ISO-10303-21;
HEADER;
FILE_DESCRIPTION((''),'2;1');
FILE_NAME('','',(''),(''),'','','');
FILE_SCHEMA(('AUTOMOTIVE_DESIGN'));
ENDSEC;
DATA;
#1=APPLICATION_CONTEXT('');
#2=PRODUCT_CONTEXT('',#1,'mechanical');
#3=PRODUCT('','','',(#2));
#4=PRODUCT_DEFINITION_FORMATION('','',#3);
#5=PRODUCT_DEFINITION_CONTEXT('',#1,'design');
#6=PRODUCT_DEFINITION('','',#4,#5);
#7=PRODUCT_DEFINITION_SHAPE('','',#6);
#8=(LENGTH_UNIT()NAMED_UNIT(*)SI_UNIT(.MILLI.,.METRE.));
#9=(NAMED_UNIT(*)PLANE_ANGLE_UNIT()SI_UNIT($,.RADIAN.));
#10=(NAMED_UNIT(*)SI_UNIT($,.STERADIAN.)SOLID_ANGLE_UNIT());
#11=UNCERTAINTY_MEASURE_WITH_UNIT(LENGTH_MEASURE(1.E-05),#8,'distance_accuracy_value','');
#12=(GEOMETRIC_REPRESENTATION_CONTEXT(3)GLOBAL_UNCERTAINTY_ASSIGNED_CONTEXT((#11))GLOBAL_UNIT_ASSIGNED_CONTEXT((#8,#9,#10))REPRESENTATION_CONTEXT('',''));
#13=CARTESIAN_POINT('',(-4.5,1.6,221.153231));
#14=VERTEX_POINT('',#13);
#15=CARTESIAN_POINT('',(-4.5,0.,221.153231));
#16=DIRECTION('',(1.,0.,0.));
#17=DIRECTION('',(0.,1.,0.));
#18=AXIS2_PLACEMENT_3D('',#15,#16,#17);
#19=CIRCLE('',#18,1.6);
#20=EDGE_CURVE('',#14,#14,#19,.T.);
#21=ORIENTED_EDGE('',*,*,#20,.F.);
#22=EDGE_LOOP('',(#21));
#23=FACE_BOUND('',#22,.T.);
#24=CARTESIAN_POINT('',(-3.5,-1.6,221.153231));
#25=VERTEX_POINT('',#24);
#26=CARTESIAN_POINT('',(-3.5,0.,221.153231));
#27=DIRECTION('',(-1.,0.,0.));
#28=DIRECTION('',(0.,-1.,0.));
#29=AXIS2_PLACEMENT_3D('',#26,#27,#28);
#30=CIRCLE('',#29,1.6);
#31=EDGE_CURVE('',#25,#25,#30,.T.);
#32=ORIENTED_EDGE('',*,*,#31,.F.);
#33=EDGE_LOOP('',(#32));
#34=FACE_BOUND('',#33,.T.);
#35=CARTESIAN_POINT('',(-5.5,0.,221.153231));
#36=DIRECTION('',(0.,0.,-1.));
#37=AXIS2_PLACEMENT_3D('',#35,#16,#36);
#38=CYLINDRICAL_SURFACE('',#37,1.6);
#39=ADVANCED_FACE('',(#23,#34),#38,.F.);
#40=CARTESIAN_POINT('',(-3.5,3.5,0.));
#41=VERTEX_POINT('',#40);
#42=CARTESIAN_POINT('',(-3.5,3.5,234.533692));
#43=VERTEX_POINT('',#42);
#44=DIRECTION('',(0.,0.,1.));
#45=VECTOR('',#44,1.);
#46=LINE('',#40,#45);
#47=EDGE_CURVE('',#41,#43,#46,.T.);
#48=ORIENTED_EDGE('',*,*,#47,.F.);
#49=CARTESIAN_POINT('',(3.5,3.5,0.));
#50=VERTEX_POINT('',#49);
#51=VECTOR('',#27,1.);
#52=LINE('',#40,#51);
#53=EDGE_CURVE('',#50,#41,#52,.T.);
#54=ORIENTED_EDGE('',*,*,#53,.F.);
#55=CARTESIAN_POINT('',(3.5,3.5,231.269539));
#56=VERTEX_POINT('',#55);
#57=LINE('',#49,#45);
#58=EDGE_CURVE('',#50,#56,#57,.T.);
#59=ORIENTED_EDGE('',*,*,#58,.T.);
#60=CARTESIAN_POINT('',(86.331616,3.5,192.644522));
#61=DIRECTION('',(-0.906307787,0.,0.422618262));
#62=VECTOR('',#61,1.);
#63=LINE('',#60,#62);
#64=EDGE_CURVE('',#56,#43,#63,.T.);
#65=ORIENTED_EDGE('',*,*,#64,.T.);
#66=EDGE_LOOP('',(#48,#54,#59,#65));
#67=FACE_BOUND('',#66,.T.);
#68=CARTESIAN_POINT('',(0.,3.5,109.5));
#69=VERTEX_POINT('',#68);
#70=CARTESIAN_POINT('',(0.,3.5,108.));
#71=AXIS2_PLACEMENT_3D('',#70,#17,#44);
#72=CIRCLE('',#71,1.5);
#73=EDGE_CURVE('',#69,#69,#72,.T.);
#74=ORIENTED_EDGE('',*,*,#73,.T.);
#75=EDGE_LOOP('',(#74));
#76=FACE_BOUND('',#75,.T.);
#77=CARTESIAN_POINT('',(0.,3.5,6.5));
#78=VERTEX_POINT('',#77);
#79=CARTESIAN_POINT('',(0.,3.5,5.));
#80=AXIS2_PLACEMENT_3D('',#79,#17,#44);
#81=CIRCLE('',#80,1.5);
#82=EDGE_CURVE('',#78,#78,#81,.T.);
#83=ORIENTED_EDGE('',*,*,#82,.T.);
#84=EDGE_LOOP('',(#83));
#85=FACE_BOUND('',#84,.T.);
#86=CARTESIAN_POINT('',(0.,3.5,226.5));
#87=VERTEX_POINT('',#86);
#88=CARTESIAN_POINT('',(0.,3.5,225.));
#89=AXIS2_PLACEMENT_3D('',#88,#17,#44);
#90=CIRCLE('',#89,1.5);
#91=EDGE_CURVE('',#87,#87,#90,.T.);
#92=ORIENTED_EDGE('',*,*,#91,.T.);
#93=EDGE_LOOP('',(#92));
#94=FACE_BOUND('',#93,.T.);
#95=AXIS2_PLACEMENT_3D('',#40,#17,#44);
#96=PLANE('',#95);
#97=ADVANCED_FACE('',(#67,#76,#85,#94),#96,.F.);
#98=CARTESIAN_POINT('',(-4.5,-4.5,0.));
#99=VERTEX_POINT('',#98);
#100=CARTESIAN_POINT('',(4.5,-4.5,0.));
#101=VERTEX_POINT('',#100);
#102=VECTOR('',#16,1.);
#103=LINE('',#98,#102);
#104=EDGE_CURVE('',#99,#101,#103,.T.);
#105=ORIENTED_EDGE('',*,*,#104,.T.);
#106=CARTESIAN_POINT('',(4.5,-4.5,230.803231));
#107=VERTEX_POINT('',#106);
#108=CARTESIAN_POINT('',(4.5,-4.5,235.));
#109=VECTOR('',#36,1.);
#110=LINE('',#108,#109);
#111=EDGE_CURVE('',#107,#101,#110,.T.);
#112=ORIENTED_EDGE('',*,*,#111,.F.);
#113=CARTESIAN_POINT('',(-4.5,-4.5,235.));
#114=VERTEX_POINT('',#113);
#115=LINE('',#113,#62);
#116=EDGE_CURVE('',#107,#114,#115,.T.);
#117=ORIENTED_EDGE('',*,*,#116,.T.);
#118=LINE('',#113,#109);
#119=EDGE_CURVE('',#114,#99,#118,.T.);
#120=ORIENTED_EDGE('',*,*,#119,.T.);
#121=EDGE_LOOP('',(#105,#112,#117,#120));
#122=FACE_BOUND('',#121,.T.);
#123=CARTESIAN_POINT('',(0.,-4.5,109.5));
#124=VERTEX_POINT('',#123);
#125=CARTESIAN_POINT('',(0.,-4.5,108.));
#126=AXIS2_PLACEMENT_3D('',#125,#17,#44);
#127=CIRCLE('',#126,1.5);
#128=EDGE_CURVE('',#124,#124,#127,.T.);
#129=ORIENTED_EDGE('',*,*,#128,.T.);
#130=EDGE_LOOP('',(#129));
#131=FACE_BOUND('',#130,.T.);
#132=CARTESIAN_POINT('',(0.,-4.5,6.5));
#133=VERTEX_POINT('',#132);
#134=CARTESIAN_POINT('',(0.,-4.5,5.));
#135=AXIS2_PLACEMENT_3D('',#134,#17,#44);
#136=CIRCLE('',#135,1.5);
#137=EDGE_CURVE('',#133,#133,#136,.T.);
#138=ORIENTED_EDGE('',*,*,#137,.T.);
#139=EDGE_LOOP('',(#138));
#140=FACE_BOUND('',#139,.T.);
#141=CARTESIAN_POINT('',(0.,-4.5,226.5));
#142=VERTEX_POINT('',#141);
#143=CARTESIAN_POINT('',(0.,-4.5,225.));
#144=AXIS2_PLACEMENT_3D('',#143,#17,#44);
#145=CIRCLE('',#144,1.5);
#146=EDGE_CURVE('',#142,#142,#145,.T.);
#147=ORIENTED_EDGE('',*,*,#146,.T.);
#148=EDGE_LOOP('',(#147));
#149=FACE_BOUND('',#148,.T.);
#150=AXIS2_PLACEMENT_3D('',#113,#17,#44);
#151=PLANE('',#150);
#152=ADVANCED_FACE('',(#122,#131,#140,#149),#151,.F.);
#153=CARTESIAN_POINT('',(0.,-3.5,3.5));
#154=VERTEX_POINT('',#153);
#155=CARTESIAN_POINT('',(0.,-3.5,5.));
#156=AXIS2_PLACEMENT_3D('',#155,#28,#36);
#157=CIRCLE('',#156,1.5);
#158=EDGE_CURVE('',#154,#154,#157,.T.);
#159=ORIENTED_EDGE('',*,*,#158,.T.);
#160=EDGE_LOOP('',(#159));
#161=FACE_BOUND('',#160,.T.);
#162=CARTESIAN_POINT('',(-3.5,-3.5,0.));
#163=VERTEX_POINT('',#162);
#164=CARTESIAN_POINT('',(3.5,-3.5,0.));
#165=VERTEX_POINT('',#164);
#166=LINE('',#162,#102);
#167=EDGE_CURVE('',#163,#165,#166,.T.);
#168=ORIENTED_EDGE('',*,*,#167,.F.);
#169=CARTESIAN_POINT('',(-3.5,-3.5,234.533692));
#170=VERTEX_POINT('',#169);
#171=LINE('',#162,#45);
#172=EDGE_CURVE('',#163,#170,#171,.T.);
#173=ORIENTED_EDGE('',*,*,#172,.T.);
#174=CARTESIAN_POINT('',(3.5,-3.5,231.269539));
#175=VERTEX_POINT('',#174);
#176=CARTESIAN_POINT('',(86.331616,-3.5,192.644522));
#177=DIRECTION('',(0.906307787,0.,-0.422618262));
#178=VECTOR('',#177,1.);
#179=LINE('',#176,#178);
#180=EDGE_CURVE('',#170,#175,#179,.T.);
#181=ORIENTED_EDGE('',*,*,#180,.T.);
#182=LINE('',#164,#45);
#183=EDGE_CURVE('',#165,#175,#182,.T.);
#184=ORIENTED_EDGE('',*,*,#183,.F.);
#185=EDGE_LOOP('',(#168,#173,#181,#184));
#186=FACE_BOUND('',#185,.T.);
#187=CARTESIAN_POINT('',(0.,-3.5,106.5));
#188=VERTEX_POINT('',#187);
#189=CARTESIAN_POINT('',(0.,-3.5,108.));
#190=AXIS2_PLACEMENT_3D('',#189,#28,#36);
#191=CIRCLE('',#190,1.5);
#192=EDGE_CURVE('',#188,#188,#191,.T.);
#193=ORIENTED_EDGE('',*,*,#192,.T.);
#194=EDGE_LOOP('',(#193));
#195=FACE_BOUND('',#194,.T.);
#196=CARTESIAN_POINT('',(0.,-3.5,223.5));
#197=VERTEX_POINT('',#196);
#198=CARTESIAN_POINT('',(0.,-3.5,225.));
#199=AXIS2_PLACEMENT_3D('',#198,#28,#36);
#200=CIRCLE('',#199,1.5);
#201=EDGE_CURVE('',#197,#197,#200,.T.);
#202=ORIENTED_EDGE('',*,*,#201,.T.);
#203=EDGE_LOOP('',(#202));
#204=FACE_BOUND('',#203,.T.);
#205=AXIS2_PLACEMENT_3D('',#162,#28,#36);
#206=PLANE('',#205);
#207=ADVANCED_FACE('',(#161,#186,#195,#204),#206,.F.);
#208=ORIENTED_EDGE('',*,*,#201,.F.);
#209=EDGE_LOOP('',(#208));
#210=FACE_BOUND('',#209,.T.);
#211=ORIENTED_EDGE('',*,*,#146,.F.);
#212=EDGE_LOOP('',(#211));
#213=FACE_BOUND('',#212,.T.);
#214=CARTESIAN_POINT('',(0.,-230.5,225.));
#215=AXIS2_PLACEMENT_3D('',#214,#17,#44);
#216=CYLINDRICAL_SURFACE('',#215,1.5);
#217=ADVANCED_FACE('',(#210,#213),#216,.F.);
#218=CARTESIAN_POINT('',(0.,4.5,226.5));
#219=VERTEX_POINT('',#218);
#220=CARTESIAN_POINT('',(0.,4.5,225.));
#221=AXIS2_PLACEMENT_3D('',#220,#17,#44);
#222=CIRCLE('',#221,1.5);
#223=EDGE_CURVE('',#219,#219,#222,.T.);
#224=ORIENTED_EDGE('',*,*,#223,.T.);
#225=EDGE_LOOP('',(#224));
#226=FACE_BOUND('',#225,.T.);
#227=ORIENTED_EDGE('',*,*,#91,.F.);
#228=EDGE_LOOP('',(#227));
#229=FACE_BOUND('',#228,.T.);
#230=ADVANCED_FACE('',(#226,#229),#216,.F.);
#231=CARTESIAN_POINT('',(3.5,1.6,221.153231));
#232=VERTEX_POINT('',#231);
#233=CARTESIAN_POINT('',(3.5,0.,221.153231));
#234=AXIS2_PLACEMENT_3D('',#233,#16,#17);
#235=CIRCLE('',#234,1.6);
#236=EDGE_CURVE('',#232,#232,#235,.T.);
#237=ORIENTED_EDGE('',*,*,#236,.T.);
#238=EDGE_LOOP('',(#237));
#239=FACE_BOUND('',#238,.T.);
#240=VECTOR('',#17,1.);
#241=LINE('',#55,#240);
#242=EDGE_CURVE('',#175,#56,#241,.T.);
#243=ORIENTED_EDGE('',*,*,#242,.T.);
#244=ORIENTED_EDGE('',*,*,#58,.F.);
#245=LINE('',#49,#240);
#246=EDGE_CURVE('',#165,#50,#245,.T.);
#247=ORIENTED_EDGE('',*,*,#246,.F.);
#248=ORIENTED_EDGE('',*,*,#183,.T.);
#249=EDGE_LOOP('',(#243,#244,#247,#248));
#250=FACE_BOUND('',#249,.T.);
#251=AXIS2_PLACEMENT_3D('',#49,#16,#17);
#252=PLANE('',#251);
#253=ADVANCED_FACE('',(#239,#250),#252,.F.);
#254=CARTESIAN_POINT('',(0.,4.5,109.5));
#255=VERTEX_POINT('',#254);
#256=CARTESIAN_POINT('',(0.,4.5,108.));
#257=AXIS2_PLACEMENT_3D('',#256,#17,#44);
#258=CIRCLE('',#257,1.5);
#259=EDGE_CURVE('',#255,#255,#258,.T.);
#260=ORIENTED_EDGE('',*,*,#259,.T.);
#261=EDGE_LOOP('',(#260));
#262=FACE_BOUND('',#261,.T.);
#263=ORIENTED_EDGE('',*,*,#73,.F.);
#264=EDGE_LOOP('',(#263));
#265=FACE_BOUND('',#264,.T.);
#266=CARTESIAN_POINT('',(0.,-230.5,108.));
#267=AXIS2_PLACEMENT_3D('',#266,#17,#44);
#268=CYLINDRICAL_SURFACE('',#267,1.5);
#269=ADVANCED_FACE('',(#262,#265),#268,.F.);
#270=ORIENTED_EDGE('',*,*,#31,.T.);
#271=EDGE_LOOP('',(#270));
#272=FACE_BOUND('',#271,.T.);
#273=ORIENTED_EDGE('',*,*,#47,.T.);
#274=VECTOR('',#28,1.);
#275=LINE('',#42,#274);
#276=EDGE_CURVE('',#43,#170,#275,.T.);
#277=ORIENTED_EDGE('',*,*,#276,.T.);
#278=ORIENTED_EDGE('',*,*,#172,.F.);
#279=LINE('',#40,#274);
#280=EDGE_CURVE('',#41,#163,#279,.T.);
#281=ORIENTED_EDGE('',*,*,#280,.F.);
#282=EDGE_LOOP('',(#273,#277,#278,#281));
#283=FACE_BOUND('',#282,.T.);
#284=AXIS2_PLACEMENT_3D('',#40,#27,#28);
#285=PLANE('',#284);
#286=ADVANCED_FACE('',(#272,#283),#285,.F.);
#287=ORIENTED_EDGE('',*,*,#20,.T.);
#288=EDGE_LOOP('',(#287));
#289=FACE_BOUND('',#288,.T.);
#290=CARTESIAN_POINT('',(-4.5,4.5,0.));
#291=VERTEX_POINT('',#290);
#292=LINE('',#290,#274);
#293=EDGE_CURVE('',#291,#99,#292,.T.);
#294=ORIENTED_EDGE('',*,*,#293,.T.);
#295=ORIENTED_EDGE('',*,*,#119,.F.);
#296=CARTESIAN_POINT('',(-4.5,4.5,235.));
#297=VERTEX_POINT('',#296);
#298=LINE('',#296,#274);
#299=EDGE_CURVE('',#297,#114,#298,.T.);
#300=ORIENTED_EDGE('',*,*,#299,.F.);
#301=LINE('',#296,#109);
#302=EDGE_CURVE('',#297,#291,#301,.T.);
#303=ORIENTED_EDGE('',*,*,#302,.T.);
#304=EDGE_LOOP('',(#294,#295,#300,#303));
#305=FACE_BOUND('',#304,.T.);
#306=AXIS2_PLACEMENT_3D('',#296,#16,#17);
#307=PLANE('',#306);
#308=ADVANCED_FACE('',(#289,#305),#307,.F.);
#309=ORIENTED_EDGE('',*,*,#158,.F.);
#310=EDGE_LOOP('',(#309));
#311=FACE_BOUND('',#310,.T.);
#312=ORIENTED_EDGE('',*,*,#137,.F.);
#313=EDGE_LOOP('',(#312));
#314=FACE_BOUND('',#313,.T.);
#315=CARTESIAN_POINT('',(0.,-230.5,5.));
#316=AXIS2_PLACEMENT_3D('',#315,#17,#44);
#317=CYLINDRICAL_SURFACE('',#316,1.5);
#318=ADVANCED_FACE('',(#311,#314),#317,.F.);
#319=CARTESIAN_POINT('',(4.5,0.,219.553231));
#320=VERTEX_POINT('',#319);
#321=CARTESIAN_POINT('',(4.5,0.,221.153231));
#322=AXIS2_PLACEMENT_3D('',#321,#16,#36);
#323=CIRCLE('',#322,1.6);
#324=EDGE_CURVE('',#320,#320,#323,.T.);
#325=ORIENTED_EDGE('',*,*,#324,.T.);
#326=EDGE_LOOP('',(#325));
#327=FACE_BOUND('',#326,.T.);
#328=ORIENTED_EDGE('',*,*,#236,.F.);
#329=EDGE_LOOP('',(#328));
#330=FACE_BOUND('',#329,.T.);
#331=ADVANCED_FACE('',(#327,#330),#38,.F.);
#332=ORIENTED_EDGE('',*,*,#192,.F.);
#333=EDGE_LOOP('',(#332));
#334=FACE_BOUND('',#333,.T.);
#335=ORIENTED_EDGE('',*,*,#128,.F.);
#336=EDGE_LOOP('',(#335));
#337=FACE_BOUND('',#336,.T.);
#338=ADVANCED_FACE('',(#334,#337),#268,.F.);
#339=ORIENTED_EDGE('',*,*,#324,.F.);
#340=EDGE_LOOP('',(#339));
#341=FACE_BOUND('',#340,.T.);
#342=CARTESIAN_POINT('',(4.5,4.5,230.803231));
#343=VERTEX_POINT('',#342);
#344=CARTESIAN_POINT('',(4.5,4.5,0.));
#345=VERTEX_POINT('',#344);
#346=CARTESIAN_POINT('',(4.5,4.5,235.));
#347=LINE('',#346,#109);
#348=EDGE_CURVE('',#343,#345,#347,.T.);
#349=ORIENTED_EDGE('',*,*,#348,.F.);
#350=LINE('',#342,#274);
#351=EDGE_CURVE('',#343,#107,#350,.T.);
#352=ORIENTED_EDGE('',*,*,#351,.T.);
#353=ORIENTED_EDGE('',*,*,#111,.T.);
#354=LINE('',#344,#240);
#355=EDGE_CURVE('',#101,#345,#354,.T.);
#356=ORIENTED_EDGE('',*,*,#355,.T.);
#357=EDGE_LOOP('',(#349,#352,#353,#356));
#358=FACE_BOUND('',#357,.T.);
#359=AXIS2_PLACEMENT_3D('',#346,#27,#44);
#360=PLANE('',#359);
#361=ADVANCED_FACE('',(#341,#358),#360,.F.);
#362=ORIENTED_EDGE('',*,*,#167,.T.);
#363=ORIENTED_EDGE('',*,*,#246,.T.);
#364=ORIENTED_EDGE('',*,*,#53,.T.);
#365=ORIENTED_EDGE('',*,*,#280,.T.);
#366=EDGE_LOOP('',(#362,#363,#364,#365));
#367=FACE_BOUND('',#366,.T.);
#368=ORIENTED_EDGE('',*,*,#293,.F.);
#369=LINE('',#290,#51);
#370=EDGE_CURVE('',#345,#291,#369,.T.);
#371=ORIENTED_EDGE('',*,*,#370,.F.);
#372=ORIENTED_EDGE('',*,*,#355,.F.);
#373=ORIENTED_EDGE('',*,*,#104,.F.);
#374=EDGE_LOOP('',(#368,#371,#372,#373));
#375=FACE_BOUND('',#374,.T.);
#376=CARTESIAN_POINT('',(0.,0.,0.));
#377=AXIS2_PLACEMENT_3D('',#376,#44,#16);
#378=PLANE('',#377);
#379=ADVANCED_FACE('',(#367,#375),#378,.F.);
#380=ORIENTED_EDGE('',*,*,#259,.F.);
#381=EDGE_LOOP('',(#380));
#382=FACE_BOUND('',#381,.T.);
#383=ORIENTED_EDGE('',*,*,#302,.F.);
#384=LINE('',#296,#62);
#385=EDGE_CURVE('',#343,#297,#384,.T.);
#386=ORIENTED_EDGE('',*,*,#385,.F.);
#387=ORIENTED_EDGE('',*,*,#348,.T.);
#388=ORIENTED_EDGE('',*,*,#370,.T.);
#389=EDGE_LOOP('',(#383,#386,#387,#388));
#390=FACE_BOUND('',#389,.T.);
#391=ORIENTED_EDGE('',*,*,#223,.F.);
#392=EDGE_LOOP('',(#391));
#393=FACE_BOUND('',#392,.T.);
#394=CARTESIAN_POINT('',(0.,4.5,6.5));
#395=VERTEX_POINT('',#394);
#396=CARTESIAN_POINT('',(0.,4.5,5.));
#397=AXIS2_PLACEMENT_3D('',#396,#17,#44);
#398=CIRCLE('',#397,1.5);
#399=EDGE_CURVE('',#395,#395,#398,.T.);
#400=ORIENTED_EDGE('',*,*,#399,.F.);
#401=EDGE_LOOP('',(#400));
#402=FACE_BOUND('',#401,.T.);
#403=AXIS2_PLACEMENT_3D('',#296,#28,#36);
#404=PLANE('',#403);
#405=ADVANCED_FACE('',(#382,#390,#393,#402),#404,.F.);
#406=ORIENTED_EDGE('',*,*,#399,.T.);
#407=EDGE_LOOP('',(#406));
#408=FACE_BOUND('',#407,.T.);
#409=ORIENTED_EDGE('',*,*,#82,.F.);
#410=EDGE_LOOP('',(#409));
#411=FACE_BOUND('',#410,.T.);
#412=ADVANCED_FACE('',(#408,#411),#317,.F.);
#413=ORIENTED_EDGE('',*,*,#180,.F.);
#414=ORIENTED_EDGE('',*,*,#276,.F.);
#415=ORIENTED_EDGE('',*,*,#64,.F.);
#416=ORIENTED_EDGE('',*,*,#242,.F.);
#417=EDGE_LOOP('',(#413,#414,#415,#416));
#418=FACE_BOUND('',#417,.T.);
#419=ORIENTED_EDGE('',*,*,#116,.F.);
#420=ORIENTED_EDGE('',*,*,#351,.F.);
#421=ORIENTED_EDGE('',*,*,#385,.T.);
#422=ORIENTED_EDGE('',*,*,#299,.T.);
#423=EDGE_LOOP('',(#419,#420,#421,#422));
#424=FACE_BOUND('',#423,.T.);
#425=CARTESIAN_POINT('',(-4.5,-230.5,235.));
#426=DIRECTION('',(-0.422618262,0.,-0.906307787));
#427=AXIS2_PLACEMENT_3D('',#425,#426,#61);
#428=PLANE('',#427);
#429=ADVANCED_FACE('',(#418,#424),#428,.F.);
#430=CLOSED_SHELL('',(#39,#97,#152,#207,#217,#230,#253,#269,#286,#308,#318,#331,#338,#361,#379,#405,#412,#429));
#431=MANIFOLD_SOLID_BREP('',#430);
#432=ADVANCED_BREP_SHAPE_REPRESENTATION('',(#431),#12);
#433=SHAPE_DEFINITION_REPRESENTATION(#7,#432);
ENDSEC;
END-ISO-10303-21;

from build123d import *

# Parameters (mm, degrees)
SKETCH_1_W          = 9
SKETCH_1_H          = 9
EXTRUDE_1_DEPTH     = 235
SKETCH_2_W          = 7
SKETCH_2_H          = 7
CUT_EXTRUDE_1_DEPTH = 235
SKETCH_3_R          = 1.5
CUT_EXTRUDE_2_DEPTH = 235
CUT_EXTRUDE_3_DEPTH = 235
SKETCH_5_R          = 1.6
CUT_EXTRUDE_4_DEPTH = 10


with BuildPart() as part:
    # ｽｹｯﾁ1 → ﾎﾞｽ - 押し出し1 (new body)
    with BuildSketch(Plane.XY):
        Rectangle(SKETCH_1_W, SKETCH_1_H)
    extrude(amount=EXTRUDE_1_DEPTH)

    # ｽｹｯﾁ2 → ｶｯﾄ - 押し出し1 (cut)
    with BuildSketch(Plane.XY.offset(235)):
        Rectangle(SKETCH_2_W, SKETCH_2_H)
    extrude(amount=-CUT_EXTRUDE_1_DEPTH, mode=Mode.SUBTRACT)

    # ｽｹｯﾁ3 → ｶｯﾄ - 押し出し2 (cut)
    with BuildSketch(Plane(origin=(0, 4.5, 0), x_dir=(1, 0, 0), z_dir=(0, 1, 0))):
        with Locations((0, -5)):
            Circle(SKETCH_3_R)
        with Locations((0, -108)):
            Circle(SKETCH_3_R)
        with Locations((0, -225)):
            Circle(SKETCH_3_R)
    extrude(amount=-CUT_EXTRUDE_2_DEPTH, mode=Mode.SUBTRACT)

    # ｽｹｯﾁ4 → ｶｯﾄ - 押し出し3 (cut)
    with BuildSketch(Plane(origin=(0, 4.5, 0), x_dir=(1, 0, 0), z_dir=(0, 1, 0))):
        Polygon((4.5, -235), (-4.5, -235), (5.898758527, -230.150979263), align=None)
    extrude(amount=-CUT_EXTRUDE_3_DEPTH, mode=Mode.SUBTRACT)

    # ｽｹｯﾁ5 → ｶｯﾄ - 押し出し4 (cut)
    with BuildSketch(Plane(origin=(4.5, 0, 0), x_dir=(0, 0, -1), z_dir=(1, 0, 0))):
        with Locations((-221.153231077, 0)):
            Circle(SKETCH_5_R)
    extrude(amount=-CUT_EXTRUDE_4_DEPTH, mode=Mode.SUBTRACT)


solid = part.part
